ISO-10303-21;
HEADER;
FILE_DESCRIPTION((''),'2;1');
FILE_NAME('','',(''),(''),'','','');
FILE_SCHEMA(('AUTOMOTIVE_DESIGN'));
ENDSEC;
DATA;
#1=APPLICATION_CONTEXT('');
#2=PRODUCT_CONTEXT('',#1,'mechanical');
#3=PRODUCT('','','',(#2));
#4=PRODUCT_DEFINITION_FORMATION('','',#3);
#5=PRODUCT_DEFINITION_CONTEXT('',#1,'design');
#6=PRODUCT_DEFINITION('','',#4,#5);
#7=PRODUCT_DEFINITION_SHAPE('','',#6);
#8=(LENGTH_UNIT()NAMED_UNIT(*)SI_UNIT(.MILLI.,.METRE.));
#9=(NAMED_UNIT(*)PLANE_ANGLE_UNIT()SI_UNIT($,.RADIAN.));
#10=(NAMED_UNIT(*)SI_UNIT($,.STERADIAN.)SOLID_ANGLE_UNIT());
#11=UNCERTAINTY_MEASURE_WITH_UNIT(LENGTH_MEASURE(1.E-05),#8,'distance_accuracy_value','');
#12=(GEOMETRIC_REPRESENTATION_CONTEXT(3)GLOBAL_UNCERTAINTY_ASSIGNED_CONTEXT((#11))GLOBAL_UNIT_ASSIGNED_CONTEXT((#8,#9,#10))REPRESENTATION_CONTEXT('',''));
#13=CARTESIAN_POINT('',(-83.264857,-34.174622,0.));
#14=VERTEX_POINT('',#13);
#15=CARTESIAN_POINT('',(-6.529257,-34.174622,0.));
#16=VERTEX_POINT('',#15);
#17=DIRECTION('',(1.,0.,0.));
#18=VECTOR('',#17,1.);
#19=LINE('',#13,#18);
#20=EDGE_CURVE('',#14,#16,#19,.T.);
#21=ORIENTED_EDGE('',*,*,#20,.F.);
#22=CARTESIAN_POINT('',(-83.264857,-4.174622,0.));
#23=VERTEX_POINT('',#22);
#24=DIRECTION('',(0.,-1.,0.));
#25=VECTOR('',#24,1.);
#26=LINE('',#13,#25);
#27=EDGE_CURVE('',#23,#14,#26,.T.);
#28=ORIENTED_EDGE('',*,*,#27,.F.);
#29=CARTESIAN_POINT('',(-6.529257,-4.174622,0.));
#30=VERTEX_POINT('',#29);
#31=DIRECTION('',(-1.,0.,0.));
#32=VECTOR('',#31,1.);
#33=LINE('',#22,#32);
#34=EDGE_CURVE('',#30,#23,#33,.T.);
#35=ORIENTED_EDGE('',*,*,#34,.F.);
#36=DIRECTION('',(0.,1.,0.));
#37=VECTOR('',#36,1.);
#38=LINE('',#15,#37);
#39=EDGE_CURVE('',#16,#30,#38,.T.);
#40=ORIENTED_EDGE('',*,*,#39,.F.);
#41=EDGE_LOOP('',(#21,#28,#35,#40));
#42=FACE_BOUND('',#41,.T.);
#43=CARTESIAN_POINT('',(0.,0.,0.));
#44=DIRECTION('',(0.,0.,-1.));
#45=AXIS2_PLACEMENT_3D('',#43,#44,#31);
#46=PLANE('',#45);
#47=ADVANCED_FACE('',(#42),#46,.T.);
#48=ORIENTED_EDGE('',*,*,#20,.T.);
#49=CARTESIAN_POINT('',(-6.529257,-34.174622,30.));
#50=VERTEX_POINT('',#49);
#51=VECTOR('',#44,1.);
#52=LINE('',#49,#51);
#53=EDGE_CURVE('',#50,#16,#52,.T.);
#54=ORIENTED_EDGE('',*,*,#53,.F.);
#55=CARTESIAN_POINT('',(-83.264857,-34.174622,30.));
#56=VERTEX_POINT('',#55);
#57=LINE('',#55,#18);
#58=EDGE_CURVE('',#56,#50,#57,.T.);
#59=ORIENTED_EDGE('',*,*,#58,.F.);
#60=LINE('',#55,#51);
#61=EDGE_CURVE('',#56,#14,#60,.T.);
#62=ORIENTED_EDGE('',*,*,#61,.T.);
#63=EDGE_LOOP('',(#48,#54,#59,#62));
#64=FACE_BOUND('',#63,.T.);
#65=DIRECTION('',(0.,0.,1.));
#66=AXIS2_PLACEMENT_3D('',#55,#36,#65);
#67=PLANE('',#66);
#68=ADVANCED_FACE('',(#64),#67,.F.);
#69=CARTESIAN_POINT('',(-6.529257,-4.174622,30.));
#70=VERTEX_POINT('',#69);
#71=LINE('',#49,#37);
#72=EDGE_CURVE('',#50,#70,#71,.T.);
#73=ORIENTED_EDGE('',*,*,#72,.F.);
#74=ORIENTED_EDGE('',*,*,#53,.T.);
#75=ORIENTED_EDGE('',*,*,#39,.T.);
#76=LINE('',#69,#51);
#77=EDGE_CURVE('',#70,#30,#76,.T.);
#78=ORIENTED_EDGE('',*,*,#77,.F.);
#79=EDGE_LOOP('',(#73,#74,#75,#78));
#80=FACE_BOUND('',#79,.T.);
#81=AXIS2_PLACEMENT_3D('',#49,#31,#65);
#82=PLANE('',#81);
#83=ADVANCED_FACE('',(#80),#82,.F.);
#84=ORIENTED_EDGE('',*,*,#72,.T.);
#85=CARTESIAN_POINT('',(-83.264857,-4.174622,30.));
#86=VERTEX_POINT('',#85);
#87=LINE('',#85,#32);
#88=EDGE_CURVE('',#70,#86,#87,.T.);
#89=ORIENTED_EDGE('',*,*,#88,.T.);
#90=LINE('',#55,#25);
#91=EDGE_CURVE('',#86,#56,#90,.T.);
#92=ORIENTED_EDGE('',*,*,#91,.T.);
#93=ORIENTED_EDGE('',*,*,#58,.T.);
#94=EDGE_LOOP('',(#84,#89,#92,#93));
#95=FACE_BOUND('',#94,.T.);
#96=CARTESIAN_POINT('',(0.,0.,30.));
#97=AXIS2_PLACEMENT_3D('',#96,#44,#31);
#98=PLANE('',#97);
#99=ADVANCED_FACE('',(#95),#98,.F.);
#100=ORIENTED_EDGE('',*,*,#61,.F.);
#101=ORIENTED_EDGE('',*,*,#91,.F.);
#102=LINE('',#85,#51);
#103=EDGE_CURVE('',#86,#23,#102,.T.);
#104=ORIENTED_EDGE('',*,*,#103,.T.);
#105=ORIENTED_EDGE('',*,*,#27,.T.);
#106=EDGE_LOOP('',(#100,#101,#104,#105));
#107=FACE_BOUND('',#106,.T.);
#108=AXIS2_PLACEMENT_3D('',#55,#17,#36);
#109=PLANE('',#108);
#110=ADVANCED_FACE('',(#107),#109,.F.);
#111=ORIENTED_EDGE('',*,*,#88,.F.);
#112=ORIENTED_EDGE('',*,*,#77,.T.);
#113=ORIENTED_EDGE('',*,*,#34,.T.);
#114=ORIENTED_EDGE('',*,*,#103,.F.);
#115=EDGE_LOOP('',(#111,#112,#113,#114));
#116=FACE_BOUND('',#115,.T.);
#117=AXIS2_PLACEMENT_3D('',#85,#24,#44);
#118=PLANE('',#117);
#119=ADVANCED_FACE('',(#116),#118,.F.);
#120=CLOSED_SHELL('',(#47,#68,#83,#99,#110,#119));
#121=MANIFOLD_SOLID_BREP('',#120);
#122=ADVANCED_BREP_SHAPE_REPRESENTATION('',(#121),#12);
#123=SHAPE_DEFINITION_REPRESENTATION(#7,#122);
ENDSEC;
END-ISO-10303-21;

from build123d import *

# Parameters (mm, degrees)
CROQUIS1_W              = 76.735599991
CROQUIS1_H              = 30
SALIENTE_EXTRUIR1_DEPTH = 30


with BuildPart() as part:
    # Croquis1 → Saliente-Extruir1 (new body)
    with BuildSketch(Plane.XY):
        with Locations((-44.897056541, -19.174622183)):
            Rectangle(CROQUIS1_W, CROQUIS1_H)
    extrude(amount=SALIENTE_EXTRUIR1_DEPTH)


solid = part.part
